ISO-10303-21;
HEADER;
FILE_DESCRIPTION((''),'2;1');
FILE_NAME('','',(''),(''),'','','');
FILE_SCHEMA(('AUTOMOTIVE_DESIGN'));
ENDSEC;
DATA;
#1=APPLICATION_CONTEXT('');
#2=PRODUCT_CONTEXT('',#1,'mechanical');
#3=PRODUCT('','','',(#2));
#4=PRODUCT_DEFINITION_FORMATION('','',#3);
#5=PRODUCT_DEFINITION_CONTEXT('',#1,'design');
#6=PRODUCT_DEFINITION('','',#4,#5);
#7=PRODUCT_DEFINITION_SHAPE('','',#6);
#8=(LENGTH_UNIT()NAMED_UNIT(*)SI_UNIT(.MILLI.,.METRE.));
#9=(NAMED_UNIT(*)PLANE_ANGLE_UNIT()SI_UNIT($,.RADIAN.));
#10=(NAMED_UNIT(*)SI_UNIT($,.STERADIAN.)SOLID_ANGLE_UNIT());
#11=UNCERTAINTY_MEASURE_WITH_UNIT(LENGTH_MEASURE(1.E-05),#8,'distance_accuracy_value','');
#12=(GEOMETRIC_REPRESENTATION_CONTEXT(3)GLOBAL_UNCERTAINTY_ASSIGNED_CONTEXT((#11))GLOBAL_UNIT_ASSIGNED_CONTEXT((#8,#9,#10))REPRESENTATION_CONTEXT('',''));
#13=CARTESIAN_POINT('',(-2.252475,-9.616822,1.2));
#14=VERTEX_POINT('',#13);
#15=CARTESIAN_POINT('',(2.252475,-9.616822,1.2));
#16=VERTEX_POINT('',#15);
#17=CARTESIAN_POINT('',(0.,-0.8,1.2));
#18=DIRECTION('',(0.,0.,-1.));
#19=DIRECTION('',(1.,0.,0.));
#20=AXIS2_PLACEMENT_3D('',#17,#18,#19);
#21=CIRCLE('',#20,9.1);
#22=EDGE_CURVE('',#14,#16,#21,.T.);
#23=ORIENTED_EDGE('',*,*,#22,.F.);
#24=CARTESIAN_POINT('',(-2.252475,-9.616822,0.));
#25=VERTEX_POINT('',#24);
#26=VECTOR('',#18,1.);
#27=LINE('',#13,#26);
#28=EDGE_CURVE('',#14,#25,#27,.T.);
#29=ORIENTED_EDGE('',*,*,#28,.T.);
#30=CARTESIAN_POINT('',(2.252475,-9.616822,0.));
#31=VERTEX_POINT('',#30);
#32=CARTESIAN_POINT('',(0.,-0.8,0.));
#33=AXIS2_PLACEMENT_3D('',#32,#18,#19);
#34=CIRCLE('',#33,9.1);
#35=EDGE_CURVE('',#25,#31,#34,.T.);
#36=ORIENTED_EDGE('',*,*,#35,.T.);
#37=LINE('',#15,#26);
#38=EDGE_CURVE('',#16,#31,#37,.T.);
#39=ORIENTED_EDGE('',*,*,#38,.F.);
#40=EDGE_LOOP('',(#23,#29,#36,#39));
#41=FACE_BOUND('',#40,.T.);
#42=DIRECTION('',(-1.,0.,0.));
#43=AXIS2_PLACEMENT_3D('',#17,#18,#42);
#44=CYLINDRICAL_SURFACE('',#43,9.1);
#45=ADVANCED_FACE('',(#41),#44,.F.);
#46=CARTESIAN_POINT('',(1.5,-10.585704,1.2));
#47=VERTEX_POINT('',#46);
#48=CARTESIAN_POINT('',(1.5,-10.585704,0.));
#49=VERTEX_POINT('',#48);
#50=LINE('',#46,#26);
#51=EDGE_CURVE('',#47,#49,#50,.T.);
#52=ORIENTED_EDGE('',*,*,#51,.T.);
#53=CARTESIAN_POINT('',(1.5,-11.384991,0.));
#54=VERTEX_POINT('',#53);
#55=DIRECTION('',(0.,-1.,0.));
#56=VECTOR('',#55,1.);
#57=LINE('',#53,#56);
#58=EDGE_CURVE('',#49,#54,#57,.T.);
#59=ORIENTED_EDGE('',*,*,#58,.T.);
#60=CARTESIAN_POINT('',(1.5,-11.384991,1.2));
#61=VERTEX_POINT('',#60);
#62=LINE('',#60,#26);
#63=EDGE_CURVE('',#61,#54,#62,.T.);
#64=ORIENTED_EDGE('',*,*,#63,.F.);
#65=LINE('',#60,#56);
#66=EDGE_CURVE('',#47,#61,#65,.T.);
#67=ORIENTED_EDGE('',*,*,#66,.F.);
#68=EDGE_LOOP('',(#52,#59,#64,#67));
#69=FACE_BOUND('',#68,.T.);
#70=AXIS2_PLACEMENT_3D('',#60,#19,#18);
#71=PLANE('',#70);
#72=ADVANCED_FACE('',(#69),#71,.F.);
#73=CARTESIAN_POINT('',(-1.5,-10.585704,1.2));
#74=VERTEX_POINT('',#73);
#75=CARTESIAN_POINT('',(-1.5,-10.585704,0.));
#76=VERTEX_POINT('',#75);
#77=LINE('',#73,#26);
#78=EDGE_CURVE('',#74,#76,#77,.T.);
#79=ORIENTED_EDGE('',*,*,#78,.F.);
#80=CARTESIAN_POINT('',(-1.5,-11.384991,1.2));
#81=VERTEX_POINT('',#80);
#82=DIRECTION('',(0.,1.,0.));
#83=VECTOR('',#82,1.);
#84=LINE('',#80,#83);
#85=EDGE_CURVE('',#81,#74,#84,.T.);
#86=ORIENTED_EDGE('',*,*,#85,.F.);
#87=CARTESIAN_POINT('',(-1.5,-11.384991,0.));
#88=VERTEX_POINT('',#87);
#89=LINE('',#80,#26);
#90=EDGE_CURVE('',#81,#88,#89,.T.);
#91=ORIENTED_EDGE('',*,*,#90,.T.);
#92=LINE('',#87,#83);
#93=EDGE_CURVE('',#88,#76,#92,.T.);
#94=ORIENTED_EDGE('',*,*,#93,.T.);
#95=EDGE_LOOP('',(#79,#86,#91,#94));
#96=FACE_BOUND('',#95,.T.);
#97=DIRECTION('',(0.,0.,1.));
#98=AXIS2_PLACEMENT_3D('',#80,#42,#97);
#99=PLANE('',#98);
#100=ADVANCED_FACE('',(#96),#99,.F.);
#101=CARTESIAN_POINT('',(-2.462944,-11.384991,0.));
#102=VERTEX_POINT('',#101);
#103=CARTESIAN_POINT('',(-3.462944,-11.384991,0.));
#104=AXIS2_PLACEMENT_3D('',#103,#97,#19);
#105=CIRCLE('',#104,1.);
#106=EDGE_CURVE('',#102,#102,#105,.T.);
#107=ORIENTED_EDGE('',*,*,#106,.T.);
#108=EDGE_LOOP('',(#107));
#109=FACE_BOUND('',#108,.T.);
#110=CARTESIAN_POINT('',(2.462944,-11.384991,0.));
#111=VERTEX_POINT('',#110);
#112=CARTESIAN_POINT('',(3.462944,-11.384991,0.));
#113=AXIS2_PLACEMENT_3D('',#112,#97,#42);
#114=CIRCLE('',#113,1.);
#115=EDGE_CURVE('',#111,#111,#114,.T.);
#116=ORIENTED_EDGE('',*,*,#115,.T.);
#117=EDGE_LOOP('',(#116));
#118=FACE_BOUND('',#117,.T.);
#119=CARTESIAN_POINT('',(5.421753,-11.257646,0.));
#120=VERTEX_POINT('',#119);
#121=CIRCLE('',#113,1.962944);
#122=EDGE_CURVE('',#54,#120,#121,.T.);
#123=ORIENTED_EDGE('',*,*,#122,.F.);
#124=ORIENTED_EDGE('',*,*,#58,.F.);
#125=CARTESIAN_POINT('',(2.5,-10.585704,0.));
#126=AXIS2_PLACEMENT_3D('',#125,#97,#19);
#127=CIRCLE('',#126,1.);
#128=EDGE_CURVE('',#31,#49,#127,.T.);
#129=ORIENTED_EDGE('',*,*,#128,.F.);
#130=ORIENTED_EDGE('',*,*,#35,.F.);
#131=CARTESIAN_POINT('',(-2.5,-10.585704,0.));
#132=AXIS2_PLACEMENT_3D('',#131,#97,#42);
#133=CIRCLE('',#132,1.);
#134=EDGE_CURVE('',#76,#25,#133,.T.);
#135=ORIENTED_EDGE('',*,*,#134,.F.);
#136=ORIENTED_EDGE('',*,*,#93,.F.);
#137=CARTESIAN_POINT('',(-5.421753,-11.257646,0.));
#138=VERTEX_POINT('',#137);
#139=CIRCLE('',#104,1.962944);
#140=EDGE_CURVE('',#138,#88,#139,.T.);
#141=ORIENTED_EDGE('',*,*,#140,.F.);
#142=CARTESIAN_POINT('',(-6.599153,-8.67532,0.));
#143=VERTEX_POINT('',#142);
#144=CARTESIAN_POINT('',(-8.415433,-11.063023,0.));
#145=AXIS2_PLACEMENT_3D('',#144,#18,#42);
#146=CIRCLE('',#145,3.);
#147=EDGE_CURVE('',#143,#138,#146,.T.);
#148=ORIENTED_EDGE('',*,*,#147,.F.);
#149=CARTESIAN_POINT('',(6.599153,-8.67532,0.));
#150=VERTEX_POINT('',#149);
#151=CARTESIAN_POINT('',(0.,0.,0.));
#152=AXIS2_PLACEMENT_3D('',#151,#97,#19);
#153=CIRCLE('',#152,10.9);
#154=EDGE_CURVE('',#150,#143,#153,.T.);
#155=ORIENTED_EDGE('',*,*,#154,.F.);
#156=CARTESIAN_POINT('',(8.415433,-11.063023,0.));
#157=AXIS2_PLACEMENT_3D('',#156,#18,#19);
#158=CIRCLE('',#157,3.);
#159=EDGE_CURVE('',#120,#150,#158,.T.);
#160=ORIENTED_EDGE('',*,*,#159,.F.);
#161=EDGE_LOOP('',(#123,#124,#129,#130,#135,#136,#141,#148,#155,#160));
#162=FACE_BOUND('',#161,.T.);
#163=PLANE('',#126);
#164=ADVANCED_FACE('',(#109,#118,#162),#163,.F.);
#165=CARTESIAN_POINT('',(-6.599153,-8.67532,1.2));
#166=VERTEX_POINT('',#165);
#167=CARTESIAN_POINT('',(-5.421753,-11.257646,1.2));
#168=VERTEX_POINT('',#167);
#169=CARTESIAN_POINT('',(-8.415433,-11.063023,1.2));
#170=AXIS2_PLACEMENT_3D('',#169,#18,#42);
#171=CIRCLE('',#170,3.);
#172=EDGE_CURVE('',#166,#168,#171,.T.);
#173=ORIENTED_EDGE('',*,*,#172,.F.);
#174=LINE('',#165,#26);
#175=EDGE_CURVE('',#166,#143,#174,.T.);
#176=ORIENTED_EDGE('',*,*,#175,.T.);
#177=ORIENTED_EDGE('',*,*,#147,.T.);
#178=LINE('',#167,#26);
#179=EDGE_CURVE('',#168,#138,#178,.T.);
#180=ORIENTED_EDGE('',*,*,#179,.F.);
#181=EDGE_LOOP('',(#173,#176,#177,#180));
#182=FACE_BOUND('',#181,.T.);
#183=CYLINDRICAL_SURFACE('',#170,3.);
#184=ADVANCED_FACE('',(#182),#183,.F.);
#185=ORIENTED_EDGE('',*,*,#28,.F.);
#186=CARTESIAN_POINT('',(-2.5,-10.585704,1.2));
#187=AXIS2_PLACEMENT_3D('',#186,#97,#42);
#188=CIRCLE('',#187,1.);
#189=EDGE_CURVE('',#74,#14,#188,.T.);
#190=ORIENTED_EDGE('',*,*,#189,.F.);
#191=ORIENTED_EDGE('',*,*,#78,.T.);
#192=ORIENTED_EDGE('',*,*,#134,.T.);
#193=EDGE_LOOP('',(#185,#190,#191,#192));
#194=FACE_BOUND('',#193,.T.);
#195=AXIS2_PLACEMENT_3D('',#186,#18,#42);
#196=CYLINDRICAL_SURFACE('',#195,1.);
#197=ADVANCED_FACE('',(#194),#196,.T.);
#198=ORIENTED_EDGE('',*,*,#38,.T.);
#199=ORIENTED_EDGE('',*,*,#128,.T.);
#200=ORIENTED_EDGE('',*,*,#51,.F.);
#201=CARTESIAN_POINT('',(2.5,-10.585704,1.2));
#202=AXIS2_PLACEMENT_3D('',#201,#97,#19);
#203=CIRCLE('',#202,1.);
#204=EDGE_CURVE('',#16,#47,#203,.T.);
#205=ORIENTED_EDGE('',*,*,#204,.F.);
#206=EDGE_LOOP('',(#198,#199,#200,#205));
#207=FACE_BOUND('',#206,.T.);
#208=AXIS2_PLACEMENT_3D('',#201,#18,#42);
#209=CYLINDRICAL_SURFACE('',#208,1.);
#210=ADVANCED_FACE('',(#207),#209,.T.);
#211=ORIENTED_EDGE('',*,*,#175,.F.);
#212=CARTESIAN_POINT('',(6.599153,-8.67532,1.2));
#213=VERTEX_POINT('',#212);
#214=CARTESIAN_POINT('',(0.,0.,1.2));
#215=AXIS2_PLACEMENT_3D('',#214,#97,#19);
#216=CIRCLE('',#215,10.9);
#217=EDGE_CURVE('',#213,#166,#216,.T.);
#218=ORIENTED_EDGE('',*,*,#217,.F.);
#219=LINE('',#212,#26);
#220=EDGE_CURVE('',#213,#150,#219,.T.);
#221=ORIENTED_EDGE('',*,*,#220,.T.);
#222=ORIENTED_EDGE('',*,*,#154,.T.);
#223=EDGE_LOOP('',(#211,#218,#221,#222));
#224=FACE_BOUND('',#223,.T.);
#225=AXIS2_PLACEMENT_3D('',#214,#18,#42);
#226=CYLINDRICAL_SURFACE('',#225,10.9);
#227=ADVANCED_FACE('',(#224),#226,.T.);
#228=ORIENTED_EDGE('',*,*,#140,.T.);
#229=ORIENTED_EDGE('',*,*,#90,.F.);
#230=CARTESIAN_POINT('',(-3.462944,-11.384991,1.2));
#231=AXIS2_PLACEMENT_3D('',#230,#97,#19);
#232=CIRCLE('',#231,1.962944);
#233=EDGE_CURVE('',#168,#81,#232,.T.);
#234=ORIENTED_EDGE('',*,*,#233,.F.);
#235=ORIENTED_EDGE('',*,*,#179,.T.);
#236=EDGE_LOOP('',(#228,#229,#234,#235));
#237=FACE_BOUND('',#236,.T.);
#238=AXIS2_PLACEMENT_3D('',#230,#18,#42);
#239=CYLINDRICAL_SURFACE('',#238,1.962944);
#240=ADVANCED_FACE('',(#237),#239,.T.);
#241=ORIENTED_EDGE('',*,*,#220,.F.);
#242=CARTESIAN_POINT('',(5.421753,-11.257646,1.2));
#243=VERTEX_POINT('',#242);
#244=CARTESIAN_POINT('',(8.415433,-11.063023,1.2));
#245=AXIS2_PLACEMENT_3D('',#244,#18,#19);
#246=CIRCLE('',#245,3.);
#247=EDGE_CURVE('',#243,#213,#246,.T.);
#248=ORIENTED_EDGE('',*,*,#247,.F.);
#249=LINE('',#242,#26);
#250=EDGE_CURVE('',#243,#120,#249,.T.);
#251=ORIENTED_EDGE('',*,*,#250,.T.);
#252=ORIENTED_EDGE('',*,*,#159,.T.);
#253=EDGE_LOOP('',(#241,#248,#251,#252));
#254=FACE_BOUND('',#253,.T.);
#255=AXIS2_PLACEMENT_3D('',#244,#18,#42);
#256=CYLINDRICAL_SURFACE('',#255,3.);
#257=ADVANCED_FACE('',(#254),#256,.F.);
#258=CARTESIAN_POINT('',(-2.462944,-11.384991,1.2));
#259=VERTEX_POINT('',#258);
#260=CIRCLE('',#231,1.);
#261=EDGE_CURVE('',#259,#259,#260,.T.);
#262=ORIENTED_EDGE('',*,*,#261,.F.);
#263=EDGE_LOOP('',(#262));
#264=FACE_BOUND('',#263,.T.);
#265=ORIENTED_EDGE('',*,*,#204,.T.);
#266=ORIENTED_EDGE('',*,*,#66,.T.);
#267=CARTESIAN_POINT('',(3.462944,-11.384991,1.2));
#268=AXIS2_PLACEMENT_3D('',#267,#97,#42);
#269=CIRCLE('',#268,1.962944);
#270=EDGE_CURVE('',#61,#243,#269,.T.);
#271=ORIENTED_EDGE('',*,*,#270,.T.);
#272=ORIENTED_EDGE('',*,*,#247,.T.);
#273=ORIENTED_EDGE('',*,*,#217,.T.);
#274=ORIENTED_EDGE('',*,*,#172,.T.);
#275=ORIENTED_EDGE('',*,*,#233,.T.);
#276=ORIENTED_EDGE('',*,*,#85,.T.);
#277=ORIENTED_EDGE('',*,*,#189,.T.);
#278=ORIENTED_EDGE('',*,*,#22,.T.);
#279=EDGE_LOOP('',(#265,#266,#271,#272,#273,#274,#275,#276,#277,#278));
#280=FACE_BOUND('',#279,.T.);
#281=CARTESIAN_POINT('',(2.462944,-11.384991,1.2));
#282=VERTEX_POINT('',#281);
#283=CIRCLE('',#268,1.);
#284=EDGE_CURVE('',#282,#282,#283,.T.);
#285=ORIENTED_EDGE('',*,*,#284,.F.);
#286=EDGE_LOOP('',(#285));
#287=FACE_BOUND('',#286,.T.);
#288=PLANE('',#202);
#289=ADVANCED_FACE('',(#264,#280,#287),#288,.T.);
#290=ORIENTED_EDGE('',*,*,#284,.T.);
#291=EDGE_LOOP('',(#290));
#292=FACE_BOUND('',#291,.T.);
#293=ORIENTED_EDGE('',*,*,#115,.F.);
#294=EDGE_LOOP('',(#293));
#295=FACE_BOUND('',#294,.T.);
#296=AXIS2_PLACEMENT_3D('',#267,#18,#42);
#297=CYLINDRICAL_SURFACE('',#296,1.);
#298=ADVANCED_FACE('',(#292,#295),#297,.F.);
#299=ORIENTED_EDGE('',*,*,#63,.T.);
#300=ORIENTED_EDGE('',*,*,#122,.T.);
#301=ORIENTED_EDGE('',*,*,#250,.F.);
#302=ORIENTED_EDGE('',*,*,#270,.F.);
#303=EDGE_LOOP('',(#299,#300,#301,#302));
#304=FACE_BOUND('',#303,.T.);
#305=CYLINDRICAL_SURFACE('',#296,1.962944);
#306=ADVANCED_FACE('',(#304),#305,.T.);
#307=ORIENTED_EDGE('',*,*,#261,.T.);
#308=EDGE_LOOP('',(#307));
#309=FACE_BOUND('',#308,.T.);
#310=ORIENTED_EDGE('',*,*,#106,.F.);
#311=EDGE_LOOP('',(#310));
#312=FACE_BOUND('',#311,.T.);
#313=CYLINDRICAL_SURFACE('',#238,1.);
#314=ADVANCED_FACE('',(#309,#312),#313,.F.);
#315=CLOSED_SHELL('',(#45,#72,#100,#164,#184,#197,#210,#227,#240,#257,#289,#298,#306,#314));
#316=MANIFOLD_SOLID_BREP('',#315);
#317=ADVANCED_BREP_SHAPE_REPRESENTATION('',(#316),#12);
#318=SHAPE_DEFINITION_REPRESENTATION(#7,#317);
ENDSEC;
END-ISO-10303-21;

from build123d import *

# Parameters (mm, degrees)
SKETCH_1_R      = 1
EXTRUDE_1_DEPTH = 1.2


with BuildPart() as part:
    # Эскиз1 → Бобышка-Вытянуть1 (new body)
    with BuildSketch(Plane.XY):
        with BuildLine():
            Line((-1.5, -11.384990922), (-1.5, -10.585703858))
            ThreePointArc((-1.5, -10.585703858), (-1.710213715, -9.972321739), (-2.252475248, -9.616822288))
            ThreePointArc((-2.252475248, -9.616822288), (0, 8.3), (2.252475248, -9.616822288))
            ThreePointArc((2.252475248, -9.616822288), (1.710213715, -9.972321739), (1.5, -10.585703858))
            Line((1.5, -10.585703858), (1.5, -11.384990922))
            ThreePointArc((1.5, -11.384990922), (3.52665001, -13.346900966), (5.421753104, -11.257646183))
            ThreePointArc((5.421753104, -11.257646183), (5.685775429, -9.818447988), (6.599152829, -8.675320279))
            ThreePointArc((6.599152829, -8.675320279), (0, 10.9), (-6.599152829, -8.675320279))
            ThreePointArc((-6.599152829, -8.675320279), (-5.685775429, -9.818447988), (-5.421753104, -11.257646183))
            ThreePointArc((-5.421753104, -11.257646183), (-3.52665001, -13.346900966), (-1.5, -11.384990922))
        make_face()
        with Locations((-3.462944082, -11.384990922)):
            Circle(SKETCH_1_R, mode=Mode.SUBTRACT)
        with Locations((3.462944082, -11.384990922)):
            Circle(SKETCH_1_R, mode=Mode.SUBTRACT)
    extrude(amount=EXTRUDE_1_DEPTH)


solid = part.part
